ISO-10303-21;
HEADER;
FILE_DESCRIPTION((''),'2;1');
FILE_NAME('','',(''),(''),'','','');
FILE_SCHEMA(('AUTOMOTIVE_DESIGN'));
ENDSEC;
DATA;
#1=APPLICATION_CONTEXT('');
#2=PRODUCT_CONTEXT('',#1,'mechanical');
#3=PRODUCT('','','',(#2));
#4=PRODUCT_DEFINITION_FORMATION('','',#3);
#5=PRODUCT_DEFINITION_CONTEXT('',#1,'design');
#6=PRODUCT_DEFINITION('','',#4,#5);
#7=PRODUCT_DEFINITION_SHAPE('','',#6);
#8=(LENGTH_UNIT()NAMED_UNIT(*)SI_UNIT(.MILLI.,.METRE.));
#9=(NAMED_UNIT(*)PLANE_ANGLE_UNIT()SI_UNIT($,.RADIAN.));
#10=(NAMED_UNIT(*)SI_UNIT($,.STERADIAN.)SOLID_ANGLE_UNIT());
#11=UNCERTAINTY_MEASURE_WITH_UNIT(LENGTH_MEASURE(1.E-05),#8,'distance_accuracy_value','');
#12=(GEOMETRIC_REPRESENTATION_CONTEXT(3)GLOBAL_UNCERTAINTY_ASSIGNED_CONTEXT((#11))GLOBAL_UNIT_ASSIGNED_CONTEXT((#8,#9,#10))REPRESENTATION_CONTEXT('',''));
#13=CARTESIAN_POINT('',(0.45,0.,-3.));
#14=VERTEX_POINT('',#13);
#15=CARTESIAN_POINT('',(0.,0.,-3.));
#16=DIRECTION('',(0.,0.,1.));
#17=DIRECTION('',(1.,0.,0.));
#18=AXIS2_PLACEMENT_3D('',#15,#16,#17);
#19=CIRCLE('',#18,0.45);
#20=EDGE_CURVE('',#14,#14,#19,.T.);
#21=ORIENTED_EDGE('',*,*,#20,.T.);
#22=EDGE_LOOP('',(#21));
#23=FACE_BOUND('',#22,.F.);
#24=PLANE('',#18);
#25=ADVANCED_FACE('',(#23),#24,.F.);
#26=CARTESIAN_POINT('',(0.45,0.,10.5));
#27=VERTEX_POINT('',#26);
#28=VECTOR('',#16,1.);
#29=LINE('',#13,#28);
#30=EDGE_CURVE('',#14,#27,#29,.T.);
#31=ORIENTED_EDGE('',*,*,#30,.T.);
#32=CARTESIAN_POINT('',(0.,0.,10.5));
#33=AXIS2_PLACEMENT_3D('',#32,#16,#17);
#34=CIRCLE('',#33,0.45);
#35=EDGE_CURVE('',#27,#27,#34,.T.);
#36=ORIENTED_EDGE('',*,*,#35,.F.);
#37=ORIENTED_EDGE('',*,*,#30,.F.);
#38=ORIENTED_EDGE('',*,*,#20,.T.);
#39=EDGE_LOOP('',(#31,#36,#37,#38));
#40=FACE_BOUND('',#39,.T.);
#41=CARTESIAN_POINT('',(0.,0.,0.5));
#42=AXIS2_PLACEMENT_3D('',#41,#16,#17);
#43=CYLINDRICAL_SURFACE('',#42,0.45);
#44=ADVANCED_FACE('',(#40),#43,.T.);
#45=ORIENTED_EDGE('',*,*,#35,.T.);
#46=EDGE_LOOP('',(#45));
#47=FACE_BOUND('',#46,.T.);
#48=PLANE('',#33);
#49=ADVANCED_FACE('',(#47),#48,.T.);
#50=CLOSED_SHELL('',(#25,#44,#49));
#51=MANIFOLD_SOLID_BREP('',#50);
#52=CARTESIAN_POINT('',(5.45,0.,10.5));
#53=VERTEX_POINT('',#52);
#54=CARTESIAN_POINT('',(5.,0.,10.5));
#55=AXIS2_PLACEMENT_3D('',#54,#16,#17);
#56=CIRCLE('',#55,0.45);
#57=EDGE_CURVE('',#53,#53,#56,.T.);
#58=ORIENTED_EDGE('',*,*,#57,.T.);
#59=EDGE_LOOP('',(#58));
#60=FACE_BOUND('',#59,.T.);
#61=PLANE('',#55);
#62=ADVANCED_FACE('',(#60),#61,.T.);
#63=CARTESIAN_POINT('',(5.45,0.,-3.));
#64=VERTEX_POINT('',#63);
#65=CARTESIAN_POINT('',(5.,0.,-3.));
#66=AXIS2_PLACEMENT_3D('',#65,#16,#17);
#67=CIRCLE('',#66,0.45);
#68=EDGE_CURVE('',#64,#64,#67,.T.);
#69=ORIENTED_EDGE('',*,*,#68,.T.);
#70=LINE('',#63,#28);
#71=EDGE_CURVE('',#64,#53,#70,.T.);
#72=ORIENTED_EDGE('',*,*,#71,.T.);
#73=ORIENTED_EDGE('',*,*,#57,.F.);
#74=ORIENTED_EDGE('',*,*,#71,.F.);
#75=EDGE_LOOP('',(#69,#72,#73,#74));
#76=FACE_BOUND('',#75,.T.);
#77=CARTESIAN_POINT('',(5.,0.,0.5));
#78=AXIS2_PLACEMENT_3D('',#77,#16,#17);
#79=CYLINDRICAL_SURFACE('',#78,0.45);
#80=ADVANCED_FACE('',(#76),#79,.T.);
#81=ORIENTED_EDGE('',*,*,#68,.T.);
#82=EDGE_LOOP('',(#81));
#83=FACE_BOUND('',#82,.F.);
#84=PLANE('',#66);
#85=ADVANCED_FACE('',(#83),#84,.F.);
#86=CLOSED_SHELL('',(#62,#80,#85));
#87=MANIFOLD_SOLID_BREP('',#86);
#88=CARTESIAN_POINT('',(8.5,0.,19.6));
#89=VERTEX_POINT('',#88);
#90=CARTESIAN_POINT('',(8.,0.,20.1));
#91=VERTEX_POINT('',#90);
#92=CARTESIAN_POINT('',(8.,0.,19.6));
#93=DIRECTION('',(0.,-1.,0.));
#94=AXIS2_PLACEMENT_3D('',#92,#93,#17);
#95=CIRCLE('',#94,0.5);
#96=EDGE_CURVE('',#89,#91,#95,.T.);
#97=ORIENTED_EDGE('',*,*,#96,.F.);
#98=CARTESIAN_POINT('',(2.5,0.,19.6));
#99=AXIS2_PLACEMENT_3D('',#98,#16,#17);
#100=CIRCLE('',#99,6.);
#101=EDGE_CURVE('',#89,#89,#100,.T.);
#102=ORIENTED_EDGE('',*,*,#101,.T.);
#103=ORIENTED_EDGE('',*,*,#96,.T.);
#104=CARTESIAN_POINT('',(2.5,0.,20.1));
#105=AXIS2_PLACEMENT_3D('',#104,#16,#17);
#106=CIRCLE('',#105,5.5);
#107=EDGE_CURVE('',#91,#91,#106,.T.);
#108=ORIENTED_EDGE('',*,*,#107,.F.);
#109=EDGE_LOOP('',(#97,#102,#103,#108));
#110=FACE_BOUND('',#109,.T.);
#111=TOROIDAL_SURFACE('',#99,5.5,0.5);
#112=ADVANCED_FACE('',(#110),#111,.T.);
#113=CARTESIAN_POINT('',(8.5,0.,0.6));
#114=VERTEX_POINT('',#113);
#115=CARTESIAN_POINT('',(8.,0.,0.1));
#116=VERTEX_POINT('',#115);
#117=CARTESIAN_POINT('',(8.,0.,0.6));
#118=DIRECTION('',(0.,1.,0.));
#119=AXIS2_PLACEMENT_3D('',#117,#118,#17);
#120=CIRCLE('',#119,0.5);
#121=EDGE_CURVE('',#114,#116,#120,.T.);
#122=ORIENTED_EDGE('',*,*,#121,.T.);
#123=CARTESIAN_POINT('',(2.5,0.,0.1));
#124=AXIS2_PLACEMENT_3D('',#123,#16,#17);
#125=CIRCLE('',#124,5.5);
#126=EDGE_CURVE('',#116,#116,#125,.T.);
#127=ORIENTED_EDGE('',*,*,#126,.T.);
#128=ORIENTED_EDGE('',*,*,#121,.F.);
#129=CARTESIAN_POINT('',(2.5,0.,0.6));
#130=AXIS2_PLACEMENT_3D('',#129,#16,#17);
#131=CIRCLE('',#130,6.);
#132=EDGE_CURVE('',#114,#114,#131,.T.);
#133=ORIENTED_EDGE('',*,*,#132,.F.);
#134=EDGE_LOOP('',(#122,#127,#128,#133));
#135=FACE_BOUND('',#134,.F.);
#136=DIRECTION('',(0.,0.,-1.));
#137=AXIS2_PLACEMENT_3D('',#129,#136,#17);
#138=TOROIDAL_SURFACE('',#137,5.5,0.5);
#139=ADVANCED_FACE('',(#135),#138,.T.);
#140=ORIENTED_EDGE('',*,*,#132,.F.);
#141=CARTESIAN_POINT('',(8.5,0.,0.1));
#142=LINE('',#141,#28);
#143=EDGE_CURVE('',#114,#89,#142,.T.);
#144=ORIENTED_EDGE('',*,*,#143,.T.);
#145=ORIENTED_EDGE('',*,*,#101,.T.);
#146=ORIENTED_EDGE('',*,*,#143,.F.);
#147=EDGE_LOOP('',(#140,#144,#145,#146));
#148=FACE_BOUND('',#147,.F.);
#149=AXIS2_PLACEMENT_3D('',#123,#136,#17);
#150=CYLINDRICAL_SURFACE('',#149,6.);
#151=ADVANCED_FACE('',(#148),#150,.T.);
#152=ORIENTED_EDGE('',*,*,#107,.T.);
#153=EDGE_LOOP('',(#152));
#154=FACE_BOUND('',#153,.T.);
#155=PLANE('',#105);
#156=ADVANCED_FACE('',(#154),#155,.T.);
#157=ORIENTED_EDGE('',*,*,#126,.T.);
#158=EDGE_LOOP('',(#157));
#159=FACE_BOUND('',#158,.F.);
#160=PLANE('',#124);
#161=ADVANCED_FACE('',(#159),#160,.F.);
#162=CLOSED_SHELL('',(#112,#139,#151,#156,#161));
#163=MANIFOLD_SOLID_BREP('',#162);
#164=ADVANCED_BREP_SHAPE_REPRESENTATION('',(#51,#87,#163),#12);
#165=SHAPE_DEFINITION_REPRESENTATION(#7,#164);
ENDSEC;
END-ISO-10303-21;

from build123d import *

# Parameters (mm, degrees)
SKETCH001_R       = 0.45
PAD001_DEPTH      = 10
PAD001_DEPTH_BACK = 3.5
SKETCH_R          = 6
PAD_DEPTH         = 20
FILLET_R          = 0.5


with BuildPart() as pad001:
    # Sketch001 → Pad001 (new body, two sides)
    with BuildSketch(Plane.XY.offset(0.5)) as pad001_sk:
        Circle(SKETCH001_R)
        with Locations((5, 0)):
            Circle(SKETCH001_R)
    extrude(amount=PAD001_DEPTH)
    extrude(pad001_sk.sketch, amount=-PAD001_DEPTH_BACK)


with BuildPart() as fillet_body:
    # Sketch → Pad (new body)
    with BuildSketch(Plane.XY.offset(0.1)):
        with Locations((2.5, 0)):
            Circle(SKETCH_R)
    extrude(amount=PAD_DEPTH)

    # Fillet
    fillet_edges = [fillet_body.edges().sort_by_distance(p)[0] for p in [
        (-3.5, 0, 0.1),
        (-3.5, 0, 20.1),
    ]]
    fillet(fillet_edges, radius=FILLET_R)


solid = Compound([pad001.part, fillet_body.part])
